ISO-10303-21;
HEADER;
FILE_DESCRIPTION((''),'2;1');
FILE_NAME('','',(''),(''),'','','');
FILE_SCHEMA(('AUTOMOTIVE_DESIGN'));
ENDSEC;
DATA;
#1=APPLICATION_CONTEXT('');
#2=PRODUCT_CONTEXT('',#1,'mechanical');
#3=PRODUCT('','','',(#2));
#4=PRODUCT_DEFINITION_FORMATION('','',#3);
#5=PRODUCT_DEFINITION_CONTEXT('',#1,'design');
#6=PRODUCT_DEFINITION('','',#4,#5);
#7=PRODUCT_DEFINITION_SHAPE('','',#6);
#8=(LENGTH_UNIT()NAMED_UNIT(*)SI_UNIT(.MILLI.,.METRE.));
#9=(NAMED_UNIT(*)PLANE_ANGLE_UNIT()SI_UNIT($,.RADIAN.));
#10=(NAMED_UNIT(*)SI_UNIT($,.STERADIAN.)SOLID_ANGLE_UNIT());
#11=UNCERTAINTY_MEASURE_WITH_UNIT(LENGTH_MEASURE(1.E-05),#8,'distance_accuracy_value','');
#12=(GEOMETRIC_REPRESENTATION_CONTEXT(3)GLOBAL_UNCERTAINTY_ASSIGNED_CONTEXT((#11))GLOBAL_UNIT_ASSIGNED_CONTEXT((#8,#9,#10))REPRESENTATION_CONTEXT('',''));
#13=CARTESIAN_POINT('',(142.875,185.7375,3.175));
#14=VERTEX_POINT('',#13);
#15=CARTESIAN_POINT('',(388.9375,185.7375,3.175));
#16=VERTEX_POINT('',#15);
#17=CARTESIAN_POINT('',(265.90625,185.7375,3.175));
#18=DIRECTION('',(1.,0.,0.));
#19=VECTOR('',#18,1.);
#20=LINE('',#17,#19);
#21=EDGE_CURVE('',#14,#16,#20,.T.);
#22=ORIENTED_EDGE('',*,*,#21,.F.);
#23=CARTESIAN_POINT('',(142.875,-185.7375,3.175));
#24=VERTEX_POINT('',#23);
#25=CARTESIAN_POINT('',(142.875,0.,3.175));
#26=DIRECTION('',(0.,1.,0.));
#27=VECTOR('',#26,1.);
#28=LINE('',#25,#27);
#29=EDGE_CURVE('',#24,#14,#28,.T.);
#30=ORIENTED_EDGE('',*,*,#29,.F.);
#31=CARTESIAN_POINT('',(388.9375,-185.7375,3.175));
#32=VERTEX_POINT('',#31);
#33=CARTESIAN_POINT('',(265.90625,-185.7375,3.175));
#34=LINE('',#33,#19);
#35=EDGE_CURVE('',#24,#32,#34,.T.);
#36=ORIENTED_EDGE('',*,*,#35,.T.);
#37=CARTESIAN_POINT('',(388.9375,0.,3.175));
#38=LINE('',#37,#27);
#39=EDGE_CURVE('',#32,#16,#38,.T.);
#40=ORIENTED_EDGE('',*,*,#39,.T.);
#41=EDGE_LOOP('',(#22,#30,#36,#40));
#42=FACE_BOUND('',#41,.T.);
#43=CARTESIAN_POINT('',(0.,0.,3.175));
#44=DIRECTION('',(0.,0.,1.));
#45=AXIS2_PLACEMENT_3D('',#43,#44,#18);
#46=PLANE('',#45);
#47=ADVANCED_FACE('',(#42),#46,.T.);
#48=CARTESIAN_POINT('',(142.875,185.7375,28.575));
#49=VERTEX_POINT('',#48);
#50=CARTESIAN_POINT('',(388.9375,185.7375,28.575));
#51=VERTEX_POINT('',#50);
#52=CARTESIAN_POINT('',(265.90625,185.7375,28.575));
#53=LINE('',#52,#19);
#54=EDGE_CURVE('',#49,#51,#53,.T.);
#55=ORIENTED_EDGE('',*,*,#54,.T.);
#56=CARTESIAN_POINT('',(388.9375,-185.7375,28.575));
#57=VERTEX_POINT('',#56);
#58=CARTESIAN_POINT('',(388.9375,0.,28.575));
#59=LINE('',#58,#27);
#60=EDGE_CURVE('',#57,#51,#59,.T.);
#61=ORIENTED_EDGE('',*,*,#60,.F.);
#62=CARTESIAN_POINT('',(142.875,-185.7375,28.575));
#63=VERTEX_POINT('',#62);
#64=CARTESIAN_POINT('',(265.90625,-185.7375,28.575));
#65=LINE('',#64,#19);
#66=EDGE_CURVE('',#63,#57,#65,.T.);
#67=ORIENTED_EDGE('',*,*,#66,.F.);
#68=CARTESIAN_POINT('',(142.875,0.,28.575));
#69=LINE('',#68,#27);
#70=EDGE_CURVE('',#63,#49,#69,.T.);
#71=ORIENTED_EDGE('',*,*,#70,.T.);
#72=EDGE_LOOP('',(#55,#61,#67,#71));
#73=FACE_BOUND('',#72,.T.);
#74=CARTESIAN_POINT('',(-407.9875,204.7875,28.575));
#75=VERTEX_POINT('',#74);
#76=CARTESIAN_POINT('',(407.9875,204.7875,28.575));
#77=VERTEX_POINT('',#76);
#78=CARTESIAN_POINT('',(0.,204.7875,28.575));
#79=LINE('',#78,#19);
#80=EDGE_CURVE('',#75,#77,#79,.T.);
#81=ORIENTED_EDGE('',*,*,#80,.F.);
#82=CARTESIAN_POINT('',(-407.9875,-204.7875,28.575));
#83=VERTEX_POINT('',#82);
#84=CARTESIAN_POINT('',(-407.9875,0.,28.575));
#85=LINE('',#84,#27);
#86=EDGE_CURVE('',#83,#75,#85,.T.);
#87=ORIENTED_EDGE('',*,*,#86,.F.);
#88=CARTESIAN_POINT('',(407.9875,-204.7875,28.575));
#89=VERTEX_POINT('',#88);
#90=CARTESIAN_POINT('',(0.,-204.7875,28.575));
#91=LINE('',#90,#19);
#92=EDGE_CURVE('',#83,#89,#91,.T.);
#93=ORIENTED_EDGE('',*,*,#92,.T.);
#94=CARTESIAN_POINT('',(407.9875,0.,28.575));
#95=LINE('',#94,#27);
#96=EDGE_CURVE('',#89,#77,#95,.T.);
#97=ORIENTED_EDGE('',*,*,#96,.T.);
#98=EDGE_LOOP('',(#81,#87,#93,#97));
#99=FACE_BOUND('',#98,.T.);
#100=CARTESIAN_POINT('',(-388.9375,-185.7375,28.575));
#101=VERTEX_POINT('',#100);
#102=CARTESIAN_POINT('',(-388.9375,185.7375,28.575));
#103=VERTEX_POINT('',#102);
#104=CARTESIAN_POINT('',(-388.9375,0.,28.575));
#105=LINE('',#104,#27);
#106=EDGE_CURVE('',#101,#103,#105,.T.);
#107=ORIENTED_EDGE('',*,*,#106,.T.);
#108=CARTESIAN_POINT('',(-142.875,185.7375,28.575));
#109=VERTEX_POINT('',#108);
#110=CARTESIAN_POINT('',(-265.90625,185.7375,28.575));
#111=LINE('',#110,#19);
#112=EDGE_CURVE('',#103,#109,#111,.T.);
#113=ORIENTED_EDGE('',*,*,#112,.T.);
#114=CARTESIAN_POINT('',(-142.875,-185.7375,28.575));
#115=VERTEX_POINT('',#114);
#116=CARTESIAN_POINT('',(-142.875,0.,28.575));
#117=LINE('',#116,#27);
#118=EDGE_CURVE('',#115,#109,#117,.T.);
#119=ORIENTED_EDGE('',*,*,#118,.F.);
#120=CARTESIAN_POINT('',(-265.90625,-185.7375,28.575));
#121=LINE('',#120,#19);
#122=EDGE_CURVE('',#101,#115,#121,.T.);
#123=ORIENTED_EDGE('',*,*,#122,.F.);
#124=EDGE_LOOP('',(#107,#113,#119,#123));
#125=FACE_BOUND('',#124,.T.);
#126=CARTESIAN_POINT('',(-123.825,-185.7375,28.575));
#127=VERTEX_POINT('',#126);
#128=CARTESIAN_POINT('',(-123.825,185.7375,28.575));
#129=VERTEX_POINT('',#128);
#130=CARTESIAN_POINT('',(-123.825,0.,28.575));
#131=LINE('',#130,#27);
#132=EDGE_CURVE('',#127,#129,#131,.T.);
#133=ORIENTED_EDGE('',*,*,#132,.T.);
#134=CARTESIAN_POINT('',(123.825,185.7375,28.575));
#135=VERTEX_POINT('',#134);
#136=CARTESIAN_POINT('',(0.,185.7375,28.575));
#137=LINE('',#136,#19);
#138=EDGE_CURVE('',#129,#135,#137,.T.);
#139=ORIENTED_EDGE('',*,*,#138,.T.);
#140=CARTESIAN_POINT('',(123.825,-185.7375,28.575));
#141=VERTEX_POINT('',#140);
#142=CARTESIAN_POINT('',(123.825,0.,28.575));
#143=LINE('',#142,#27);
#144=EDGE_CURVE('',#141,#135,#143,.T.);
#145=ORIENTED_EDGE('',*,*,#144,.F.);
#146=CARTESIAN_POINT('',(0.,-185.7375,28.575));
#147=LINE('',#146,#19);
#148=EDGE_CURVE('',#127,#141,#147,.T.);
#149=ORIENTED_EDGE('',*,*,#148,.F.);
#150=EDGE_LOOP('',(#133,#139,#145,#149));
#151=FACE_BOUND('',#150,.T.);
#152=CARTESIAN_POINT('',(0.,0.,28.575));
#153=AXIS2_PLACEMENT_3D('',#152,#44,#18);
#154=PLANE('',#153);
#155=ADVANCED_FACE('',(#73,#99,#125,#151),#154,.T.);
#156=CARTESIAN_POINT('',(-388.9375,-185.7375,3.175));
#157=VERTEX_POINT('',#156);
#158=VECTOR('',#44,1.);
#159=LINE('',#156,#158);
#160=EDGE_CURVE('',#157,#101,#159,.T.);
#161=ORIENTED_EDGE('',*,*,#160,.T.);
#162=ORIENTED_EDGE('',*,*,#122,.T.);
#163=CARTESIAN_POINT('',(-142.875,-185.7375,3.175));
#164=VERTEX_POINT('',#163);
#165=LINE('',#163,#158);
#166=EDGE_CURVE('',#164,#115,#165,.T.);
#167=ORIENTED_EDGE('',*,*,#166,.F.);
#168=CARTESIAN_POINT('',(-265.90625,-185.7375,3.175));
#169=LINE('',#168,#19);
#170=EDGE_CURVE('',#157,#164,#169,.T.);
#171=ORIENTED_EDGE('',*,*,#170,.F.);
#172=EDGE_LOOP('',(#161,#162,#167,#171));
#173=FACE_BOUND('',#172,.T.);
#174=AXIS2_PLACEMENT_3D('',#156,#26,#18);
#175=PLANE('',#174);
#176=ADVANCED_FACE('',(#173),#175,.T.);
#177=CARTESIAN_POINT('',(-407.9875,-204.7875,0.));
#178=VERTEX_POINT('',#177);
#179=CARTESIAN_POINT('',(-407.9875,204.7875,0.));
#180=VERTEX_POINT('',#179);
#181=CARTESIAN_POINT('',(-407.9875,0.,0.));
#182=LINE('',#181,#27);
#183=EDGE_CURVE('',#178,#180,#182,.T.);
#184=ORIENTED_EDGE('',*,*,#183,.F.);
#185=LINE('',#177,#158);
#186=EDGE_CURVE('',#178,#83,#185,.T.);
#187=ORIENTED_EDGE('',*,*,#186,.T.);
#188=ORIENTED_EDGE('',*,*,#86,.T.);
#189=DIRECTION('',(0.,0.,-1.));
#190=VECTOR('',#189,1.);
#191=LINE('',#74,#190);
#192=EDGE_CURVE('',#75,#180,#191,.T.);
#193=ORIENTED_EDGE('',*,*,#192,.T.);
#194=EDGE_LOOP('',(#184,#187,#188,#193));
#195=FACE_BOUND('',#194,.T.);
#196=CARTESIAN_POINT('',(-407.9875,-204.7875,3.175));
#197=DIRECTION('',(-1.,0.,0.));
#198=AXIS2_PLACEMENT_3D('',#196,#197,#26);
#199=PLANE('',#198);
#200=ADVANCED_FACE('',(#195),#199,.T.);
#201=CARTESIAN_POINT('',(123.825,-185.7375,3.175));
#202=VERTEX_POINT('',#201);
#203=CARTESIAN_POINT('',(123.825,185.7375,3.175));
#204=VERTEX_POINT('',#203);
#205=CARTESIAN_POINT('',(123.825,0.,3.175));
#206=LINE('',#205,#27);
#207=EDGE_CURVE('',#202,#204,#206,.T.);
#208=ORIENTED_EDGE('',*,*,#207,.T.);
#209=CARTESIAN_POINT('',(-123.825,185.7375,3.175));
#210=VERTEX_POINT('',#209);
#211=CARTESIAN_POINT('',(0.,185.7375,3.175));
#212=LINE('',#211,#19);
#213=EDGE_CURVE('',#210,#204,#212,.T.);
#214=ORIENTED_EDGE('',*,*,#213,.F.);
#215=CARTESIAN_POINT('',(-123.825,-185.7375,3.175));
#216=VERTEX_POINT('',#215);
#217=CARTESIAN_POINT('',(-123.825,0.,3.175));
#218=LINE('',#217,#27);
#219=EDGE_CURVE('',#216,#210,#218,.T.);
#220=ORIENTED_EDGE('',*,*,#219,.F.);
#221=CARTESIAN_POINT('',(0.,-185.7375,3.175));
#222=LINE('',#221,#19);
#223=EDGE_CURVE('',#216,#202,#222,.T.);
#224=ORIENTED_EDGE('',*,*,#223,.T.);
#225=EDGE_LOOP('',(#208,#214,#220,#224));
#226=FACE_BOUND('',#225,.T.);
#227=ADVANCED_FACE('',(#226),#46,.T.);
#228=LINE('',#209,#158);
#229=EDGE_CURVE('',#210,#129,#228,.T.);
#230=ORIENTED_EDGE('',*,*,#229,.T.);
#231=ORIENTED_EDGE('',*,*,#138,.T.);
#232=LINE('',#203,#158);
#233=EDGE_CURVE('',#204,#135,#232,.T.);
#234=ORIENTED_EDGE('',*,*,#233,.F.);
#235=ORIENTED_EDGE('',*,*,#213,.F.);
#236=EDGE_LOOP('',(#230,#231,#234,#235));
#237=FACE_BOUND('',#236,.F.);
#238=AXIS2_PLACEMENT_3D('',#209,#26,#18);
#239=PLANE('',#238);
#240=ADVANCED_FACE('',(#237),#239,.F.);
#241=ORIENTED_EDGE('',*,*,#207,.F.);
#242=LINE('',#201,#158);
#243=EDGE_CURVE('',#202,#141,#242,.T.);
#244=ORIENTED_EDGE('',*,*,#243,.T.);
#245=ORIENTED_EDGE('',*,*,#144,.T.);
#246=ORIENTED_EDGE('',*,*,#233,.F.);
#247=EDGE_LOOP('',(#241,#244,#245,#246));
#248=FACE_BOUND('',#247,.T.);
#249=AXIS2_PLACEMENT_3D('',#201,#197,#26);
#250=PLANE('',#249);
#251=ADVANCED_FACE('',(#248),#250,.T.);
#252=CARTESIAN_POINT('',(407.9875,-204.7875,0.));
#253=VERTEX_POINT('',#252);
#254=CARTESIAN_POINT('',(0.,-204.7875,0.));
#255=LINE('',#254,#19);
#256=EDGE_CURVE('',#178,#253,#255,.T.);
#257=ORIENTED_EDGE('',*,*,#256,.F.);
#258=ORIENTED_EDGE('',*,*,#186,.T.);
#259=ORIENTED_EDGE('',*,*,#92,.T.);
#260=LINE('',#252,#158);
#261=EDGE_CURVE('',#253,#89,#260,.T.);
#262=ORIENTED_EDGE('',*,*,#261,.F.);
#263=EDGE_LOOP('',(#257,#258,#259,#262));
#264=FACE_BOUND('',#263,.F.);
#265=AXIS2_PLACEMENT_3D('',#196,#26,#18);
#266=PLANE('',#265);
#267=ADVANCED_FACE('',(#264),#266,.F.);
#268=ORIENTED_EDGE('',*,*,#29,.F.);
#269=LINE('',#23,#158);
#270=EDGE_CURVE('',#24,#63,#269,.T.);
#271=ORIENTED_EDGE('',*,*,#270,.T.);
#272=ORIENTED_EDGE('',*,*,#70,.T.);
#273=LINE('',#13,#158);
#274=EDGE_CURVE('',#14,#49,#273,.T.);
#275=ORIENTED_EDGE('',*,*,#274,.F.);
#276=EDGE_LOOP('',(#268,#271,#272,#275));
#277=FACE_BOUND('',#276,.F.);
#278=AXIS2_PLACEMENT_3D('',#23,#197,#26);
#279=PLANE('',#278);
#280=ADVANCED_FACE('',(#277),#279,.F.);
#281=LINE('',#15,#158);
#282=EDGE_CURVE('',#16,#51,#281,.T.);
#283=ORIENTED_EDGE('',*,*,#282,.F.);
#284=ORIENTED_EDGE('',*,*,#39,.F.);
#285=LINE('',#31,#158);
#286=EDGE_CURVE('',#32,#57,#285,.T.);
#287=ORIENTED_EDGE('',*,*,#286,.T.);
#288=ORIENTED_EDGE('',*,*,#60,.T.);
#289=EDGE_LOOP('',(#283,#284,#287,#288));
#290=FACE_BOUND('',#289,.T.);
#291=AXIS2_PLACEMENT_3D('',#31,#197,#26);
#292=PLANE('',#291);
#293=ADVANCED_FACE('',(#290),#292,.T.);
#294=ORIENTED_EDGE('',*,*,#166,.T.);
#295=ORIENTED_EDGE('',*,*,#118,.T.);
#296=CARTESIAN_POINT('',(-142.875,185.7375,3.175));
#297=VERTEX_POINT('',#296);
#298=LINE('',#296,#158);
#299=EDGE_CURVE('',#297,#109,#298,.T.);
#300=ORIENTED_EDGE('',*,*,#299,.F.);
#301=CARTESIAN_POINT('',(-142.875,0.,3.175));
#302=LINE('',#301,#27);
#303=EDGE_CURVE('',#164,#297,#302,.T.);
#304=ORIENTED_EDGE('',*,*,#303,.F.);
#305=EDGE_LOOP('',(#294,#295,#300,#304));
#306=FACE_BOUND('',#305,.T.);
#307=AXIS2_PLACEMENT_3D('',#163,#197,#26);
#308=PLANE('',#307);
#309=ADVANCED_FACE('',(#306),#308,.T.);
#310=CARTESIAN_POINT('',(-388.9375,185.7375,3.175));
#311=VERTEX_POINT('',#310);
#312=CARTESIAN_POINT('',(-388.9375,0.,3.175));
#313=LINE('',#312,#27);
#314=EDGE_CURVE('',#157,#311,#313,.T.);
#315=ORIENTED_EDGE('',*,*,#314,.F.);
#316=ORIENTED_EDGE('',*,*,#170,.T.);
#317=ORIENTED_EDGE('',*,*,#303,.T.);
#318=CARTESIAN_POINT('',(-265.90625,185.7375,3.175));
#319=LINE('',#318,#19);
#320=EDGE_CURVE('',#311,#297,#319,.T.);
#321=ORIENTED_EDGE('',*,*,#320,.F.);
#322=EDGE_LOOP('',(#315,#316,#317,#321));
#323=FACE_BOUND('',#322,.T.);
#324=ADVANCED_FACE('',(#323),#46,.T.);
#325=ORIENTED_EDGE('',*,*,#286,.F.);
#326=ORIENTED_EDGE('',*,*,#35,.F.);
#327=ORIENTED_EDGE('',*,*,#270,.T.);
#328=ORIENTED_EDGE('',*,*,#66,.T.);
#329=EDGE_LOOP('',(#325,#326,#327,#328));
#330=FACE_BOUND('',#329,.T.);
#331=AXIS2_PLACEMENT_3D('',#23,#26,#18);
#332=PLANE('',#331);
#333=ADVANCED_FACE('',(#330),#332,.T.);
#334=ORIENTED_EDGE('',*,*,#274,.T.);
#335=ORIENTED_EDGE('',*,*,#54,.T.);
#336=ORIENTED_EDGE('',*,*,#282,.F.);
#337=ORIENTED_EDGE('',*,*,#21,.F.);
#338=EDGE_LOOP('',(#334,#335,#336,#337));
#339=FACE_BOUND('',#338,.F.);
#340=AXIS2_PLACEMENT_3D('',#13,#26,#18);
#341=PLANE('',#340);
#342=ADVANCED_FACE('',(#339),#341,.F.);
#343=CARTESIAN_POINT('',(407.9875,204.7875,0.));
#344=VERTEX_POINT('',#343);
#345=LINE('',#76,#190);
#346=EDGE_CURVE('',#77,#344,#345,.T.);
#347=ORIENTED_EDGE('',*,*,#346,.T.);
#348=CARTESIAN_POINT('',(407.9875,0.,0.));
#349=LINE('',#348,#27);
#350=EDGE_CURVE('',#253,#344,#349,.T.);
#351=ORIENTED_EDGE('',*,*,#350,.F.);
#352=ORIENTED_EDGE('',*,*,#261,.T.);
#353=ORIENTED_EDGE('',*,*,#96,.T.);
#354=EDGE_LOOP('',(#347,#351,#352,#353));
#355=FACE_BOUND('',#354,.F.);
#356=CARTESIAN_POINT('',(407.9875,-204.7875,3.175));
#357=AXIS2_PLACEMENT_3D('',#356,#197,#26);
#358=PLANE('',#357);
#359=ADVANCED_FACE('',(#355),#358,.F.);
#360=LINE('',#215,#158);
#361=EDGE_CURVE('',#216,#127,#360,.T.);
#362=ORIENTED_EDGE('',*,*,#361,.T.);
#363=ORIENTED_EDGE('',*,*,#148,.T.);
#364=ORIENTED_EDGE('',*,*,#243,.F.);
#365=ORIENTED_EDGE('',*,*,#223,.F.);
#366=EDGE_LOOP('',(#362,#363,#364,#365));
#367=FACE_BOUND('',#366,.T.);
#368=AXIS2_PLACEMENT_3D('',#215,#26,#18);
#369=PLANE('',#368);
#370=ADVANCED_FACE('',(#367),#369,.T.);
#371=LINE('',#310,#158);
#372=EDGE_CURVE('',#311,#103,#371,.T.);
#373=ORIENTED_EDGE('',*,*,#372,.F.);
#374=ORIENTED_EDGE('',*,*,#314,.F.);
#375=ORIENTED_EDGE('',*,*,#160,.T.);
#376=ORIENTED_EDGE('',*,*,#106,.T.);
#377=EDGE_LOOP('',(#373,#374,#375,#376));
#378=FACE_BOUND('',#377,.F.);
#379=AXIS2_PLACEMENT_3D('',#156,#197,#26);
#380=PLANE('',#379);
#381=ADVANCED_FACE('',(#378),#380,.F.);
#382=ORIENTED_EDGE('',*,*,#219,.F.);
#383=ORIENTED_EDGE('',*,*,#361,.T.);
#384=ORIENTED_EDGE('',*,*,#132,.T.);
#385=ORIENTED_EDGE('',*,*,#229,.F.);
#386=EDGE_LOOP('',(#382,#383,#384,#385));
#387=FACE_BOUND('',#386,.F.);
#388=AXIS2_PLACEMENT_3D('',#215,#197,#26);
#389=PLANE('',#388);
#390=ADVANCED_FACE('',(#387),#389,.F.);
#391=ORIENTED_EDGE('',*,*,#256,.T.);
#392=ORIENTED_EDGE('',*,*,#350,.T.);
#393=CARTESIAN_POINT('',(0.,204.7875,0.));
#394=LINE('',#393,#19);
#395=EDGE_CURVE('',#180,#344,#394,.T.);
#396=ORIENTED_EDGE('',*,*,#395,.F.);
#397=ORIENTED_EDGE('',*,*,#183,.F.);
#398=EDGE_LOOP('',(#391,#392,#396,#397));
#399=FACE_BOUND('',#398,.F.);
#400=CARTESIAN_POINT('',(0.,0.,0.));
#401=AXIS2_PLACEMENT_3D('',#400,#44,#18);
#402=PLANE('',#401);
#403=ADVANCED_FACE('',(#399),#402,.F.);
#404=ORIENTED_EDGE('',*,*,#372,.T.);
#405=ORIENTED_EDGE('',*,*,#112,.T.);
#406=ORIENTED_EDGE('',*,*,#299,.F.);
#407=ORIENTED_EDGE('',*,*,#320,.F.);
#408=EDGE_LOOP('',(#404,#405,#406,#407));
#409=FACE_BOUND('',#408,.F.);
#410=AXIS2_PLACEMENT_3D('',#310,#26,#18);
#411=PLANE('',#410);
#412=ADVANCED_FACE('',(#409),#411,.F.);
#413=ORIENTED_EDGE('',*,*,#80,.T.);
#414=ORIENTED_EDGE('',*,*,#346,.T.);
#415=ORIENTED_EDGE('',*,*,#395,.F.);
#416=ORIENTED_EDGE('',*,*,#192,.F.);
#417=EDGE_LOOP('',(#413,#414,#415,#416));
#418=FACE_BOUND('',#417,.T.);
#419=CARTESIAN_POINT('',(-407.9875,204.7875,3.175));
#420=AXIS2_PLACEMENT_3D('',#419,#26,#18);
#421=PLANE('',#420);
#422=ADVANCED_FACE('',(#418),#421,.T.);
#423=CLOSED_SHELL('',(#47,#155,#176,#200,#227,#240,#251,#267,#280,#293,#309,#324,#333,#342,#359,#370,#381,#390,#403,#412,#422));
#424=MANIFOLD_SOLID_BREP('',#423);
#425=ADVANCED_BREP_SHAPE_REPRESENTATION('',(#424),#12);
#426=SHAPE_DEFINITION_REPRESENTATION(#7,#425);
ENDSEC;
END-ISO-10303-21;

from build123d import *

# Parameters (mm, degrees)
F0_W     = 815.975
F0_H     = 409.575
F1_DEPTH = 3.175
F2_W     = 815.975
F2_H     = 409.575
F2_W_2   = 246.0625
F2_H_2   = 371.475
F2_W_3   = 247.65
F3_DEPTH = 25.4


with BuildPart() as f1:
    # F0 (on Top) → F1 (new body)
    with BuildSketch(Plane.XY):
        Rectangle(F0_W, F0_H)
    extrude(amount=F1_DEPTH)

    # F2 (on face) → F3 (join)
    with BuildSketch(Plane.XY.offset(3.175)):
        Rectangle(F2_W, F2_H)
        with Locations((-265.90625, 0)):
            Rectangle(F2_W_2, F2_H_2, mode=Mode.SUBTRACT)
        Rectangle(F2_W_3, F2_H_2, mode=Mode.SUBTRACT)
        with Locations((265.90625, 0)):
            Rectangle(F2_W_2, F2_H_2, mode=Mode.SUBTRACT)
    extrude(amount=F3_DEPTH)


solid = f1.part
